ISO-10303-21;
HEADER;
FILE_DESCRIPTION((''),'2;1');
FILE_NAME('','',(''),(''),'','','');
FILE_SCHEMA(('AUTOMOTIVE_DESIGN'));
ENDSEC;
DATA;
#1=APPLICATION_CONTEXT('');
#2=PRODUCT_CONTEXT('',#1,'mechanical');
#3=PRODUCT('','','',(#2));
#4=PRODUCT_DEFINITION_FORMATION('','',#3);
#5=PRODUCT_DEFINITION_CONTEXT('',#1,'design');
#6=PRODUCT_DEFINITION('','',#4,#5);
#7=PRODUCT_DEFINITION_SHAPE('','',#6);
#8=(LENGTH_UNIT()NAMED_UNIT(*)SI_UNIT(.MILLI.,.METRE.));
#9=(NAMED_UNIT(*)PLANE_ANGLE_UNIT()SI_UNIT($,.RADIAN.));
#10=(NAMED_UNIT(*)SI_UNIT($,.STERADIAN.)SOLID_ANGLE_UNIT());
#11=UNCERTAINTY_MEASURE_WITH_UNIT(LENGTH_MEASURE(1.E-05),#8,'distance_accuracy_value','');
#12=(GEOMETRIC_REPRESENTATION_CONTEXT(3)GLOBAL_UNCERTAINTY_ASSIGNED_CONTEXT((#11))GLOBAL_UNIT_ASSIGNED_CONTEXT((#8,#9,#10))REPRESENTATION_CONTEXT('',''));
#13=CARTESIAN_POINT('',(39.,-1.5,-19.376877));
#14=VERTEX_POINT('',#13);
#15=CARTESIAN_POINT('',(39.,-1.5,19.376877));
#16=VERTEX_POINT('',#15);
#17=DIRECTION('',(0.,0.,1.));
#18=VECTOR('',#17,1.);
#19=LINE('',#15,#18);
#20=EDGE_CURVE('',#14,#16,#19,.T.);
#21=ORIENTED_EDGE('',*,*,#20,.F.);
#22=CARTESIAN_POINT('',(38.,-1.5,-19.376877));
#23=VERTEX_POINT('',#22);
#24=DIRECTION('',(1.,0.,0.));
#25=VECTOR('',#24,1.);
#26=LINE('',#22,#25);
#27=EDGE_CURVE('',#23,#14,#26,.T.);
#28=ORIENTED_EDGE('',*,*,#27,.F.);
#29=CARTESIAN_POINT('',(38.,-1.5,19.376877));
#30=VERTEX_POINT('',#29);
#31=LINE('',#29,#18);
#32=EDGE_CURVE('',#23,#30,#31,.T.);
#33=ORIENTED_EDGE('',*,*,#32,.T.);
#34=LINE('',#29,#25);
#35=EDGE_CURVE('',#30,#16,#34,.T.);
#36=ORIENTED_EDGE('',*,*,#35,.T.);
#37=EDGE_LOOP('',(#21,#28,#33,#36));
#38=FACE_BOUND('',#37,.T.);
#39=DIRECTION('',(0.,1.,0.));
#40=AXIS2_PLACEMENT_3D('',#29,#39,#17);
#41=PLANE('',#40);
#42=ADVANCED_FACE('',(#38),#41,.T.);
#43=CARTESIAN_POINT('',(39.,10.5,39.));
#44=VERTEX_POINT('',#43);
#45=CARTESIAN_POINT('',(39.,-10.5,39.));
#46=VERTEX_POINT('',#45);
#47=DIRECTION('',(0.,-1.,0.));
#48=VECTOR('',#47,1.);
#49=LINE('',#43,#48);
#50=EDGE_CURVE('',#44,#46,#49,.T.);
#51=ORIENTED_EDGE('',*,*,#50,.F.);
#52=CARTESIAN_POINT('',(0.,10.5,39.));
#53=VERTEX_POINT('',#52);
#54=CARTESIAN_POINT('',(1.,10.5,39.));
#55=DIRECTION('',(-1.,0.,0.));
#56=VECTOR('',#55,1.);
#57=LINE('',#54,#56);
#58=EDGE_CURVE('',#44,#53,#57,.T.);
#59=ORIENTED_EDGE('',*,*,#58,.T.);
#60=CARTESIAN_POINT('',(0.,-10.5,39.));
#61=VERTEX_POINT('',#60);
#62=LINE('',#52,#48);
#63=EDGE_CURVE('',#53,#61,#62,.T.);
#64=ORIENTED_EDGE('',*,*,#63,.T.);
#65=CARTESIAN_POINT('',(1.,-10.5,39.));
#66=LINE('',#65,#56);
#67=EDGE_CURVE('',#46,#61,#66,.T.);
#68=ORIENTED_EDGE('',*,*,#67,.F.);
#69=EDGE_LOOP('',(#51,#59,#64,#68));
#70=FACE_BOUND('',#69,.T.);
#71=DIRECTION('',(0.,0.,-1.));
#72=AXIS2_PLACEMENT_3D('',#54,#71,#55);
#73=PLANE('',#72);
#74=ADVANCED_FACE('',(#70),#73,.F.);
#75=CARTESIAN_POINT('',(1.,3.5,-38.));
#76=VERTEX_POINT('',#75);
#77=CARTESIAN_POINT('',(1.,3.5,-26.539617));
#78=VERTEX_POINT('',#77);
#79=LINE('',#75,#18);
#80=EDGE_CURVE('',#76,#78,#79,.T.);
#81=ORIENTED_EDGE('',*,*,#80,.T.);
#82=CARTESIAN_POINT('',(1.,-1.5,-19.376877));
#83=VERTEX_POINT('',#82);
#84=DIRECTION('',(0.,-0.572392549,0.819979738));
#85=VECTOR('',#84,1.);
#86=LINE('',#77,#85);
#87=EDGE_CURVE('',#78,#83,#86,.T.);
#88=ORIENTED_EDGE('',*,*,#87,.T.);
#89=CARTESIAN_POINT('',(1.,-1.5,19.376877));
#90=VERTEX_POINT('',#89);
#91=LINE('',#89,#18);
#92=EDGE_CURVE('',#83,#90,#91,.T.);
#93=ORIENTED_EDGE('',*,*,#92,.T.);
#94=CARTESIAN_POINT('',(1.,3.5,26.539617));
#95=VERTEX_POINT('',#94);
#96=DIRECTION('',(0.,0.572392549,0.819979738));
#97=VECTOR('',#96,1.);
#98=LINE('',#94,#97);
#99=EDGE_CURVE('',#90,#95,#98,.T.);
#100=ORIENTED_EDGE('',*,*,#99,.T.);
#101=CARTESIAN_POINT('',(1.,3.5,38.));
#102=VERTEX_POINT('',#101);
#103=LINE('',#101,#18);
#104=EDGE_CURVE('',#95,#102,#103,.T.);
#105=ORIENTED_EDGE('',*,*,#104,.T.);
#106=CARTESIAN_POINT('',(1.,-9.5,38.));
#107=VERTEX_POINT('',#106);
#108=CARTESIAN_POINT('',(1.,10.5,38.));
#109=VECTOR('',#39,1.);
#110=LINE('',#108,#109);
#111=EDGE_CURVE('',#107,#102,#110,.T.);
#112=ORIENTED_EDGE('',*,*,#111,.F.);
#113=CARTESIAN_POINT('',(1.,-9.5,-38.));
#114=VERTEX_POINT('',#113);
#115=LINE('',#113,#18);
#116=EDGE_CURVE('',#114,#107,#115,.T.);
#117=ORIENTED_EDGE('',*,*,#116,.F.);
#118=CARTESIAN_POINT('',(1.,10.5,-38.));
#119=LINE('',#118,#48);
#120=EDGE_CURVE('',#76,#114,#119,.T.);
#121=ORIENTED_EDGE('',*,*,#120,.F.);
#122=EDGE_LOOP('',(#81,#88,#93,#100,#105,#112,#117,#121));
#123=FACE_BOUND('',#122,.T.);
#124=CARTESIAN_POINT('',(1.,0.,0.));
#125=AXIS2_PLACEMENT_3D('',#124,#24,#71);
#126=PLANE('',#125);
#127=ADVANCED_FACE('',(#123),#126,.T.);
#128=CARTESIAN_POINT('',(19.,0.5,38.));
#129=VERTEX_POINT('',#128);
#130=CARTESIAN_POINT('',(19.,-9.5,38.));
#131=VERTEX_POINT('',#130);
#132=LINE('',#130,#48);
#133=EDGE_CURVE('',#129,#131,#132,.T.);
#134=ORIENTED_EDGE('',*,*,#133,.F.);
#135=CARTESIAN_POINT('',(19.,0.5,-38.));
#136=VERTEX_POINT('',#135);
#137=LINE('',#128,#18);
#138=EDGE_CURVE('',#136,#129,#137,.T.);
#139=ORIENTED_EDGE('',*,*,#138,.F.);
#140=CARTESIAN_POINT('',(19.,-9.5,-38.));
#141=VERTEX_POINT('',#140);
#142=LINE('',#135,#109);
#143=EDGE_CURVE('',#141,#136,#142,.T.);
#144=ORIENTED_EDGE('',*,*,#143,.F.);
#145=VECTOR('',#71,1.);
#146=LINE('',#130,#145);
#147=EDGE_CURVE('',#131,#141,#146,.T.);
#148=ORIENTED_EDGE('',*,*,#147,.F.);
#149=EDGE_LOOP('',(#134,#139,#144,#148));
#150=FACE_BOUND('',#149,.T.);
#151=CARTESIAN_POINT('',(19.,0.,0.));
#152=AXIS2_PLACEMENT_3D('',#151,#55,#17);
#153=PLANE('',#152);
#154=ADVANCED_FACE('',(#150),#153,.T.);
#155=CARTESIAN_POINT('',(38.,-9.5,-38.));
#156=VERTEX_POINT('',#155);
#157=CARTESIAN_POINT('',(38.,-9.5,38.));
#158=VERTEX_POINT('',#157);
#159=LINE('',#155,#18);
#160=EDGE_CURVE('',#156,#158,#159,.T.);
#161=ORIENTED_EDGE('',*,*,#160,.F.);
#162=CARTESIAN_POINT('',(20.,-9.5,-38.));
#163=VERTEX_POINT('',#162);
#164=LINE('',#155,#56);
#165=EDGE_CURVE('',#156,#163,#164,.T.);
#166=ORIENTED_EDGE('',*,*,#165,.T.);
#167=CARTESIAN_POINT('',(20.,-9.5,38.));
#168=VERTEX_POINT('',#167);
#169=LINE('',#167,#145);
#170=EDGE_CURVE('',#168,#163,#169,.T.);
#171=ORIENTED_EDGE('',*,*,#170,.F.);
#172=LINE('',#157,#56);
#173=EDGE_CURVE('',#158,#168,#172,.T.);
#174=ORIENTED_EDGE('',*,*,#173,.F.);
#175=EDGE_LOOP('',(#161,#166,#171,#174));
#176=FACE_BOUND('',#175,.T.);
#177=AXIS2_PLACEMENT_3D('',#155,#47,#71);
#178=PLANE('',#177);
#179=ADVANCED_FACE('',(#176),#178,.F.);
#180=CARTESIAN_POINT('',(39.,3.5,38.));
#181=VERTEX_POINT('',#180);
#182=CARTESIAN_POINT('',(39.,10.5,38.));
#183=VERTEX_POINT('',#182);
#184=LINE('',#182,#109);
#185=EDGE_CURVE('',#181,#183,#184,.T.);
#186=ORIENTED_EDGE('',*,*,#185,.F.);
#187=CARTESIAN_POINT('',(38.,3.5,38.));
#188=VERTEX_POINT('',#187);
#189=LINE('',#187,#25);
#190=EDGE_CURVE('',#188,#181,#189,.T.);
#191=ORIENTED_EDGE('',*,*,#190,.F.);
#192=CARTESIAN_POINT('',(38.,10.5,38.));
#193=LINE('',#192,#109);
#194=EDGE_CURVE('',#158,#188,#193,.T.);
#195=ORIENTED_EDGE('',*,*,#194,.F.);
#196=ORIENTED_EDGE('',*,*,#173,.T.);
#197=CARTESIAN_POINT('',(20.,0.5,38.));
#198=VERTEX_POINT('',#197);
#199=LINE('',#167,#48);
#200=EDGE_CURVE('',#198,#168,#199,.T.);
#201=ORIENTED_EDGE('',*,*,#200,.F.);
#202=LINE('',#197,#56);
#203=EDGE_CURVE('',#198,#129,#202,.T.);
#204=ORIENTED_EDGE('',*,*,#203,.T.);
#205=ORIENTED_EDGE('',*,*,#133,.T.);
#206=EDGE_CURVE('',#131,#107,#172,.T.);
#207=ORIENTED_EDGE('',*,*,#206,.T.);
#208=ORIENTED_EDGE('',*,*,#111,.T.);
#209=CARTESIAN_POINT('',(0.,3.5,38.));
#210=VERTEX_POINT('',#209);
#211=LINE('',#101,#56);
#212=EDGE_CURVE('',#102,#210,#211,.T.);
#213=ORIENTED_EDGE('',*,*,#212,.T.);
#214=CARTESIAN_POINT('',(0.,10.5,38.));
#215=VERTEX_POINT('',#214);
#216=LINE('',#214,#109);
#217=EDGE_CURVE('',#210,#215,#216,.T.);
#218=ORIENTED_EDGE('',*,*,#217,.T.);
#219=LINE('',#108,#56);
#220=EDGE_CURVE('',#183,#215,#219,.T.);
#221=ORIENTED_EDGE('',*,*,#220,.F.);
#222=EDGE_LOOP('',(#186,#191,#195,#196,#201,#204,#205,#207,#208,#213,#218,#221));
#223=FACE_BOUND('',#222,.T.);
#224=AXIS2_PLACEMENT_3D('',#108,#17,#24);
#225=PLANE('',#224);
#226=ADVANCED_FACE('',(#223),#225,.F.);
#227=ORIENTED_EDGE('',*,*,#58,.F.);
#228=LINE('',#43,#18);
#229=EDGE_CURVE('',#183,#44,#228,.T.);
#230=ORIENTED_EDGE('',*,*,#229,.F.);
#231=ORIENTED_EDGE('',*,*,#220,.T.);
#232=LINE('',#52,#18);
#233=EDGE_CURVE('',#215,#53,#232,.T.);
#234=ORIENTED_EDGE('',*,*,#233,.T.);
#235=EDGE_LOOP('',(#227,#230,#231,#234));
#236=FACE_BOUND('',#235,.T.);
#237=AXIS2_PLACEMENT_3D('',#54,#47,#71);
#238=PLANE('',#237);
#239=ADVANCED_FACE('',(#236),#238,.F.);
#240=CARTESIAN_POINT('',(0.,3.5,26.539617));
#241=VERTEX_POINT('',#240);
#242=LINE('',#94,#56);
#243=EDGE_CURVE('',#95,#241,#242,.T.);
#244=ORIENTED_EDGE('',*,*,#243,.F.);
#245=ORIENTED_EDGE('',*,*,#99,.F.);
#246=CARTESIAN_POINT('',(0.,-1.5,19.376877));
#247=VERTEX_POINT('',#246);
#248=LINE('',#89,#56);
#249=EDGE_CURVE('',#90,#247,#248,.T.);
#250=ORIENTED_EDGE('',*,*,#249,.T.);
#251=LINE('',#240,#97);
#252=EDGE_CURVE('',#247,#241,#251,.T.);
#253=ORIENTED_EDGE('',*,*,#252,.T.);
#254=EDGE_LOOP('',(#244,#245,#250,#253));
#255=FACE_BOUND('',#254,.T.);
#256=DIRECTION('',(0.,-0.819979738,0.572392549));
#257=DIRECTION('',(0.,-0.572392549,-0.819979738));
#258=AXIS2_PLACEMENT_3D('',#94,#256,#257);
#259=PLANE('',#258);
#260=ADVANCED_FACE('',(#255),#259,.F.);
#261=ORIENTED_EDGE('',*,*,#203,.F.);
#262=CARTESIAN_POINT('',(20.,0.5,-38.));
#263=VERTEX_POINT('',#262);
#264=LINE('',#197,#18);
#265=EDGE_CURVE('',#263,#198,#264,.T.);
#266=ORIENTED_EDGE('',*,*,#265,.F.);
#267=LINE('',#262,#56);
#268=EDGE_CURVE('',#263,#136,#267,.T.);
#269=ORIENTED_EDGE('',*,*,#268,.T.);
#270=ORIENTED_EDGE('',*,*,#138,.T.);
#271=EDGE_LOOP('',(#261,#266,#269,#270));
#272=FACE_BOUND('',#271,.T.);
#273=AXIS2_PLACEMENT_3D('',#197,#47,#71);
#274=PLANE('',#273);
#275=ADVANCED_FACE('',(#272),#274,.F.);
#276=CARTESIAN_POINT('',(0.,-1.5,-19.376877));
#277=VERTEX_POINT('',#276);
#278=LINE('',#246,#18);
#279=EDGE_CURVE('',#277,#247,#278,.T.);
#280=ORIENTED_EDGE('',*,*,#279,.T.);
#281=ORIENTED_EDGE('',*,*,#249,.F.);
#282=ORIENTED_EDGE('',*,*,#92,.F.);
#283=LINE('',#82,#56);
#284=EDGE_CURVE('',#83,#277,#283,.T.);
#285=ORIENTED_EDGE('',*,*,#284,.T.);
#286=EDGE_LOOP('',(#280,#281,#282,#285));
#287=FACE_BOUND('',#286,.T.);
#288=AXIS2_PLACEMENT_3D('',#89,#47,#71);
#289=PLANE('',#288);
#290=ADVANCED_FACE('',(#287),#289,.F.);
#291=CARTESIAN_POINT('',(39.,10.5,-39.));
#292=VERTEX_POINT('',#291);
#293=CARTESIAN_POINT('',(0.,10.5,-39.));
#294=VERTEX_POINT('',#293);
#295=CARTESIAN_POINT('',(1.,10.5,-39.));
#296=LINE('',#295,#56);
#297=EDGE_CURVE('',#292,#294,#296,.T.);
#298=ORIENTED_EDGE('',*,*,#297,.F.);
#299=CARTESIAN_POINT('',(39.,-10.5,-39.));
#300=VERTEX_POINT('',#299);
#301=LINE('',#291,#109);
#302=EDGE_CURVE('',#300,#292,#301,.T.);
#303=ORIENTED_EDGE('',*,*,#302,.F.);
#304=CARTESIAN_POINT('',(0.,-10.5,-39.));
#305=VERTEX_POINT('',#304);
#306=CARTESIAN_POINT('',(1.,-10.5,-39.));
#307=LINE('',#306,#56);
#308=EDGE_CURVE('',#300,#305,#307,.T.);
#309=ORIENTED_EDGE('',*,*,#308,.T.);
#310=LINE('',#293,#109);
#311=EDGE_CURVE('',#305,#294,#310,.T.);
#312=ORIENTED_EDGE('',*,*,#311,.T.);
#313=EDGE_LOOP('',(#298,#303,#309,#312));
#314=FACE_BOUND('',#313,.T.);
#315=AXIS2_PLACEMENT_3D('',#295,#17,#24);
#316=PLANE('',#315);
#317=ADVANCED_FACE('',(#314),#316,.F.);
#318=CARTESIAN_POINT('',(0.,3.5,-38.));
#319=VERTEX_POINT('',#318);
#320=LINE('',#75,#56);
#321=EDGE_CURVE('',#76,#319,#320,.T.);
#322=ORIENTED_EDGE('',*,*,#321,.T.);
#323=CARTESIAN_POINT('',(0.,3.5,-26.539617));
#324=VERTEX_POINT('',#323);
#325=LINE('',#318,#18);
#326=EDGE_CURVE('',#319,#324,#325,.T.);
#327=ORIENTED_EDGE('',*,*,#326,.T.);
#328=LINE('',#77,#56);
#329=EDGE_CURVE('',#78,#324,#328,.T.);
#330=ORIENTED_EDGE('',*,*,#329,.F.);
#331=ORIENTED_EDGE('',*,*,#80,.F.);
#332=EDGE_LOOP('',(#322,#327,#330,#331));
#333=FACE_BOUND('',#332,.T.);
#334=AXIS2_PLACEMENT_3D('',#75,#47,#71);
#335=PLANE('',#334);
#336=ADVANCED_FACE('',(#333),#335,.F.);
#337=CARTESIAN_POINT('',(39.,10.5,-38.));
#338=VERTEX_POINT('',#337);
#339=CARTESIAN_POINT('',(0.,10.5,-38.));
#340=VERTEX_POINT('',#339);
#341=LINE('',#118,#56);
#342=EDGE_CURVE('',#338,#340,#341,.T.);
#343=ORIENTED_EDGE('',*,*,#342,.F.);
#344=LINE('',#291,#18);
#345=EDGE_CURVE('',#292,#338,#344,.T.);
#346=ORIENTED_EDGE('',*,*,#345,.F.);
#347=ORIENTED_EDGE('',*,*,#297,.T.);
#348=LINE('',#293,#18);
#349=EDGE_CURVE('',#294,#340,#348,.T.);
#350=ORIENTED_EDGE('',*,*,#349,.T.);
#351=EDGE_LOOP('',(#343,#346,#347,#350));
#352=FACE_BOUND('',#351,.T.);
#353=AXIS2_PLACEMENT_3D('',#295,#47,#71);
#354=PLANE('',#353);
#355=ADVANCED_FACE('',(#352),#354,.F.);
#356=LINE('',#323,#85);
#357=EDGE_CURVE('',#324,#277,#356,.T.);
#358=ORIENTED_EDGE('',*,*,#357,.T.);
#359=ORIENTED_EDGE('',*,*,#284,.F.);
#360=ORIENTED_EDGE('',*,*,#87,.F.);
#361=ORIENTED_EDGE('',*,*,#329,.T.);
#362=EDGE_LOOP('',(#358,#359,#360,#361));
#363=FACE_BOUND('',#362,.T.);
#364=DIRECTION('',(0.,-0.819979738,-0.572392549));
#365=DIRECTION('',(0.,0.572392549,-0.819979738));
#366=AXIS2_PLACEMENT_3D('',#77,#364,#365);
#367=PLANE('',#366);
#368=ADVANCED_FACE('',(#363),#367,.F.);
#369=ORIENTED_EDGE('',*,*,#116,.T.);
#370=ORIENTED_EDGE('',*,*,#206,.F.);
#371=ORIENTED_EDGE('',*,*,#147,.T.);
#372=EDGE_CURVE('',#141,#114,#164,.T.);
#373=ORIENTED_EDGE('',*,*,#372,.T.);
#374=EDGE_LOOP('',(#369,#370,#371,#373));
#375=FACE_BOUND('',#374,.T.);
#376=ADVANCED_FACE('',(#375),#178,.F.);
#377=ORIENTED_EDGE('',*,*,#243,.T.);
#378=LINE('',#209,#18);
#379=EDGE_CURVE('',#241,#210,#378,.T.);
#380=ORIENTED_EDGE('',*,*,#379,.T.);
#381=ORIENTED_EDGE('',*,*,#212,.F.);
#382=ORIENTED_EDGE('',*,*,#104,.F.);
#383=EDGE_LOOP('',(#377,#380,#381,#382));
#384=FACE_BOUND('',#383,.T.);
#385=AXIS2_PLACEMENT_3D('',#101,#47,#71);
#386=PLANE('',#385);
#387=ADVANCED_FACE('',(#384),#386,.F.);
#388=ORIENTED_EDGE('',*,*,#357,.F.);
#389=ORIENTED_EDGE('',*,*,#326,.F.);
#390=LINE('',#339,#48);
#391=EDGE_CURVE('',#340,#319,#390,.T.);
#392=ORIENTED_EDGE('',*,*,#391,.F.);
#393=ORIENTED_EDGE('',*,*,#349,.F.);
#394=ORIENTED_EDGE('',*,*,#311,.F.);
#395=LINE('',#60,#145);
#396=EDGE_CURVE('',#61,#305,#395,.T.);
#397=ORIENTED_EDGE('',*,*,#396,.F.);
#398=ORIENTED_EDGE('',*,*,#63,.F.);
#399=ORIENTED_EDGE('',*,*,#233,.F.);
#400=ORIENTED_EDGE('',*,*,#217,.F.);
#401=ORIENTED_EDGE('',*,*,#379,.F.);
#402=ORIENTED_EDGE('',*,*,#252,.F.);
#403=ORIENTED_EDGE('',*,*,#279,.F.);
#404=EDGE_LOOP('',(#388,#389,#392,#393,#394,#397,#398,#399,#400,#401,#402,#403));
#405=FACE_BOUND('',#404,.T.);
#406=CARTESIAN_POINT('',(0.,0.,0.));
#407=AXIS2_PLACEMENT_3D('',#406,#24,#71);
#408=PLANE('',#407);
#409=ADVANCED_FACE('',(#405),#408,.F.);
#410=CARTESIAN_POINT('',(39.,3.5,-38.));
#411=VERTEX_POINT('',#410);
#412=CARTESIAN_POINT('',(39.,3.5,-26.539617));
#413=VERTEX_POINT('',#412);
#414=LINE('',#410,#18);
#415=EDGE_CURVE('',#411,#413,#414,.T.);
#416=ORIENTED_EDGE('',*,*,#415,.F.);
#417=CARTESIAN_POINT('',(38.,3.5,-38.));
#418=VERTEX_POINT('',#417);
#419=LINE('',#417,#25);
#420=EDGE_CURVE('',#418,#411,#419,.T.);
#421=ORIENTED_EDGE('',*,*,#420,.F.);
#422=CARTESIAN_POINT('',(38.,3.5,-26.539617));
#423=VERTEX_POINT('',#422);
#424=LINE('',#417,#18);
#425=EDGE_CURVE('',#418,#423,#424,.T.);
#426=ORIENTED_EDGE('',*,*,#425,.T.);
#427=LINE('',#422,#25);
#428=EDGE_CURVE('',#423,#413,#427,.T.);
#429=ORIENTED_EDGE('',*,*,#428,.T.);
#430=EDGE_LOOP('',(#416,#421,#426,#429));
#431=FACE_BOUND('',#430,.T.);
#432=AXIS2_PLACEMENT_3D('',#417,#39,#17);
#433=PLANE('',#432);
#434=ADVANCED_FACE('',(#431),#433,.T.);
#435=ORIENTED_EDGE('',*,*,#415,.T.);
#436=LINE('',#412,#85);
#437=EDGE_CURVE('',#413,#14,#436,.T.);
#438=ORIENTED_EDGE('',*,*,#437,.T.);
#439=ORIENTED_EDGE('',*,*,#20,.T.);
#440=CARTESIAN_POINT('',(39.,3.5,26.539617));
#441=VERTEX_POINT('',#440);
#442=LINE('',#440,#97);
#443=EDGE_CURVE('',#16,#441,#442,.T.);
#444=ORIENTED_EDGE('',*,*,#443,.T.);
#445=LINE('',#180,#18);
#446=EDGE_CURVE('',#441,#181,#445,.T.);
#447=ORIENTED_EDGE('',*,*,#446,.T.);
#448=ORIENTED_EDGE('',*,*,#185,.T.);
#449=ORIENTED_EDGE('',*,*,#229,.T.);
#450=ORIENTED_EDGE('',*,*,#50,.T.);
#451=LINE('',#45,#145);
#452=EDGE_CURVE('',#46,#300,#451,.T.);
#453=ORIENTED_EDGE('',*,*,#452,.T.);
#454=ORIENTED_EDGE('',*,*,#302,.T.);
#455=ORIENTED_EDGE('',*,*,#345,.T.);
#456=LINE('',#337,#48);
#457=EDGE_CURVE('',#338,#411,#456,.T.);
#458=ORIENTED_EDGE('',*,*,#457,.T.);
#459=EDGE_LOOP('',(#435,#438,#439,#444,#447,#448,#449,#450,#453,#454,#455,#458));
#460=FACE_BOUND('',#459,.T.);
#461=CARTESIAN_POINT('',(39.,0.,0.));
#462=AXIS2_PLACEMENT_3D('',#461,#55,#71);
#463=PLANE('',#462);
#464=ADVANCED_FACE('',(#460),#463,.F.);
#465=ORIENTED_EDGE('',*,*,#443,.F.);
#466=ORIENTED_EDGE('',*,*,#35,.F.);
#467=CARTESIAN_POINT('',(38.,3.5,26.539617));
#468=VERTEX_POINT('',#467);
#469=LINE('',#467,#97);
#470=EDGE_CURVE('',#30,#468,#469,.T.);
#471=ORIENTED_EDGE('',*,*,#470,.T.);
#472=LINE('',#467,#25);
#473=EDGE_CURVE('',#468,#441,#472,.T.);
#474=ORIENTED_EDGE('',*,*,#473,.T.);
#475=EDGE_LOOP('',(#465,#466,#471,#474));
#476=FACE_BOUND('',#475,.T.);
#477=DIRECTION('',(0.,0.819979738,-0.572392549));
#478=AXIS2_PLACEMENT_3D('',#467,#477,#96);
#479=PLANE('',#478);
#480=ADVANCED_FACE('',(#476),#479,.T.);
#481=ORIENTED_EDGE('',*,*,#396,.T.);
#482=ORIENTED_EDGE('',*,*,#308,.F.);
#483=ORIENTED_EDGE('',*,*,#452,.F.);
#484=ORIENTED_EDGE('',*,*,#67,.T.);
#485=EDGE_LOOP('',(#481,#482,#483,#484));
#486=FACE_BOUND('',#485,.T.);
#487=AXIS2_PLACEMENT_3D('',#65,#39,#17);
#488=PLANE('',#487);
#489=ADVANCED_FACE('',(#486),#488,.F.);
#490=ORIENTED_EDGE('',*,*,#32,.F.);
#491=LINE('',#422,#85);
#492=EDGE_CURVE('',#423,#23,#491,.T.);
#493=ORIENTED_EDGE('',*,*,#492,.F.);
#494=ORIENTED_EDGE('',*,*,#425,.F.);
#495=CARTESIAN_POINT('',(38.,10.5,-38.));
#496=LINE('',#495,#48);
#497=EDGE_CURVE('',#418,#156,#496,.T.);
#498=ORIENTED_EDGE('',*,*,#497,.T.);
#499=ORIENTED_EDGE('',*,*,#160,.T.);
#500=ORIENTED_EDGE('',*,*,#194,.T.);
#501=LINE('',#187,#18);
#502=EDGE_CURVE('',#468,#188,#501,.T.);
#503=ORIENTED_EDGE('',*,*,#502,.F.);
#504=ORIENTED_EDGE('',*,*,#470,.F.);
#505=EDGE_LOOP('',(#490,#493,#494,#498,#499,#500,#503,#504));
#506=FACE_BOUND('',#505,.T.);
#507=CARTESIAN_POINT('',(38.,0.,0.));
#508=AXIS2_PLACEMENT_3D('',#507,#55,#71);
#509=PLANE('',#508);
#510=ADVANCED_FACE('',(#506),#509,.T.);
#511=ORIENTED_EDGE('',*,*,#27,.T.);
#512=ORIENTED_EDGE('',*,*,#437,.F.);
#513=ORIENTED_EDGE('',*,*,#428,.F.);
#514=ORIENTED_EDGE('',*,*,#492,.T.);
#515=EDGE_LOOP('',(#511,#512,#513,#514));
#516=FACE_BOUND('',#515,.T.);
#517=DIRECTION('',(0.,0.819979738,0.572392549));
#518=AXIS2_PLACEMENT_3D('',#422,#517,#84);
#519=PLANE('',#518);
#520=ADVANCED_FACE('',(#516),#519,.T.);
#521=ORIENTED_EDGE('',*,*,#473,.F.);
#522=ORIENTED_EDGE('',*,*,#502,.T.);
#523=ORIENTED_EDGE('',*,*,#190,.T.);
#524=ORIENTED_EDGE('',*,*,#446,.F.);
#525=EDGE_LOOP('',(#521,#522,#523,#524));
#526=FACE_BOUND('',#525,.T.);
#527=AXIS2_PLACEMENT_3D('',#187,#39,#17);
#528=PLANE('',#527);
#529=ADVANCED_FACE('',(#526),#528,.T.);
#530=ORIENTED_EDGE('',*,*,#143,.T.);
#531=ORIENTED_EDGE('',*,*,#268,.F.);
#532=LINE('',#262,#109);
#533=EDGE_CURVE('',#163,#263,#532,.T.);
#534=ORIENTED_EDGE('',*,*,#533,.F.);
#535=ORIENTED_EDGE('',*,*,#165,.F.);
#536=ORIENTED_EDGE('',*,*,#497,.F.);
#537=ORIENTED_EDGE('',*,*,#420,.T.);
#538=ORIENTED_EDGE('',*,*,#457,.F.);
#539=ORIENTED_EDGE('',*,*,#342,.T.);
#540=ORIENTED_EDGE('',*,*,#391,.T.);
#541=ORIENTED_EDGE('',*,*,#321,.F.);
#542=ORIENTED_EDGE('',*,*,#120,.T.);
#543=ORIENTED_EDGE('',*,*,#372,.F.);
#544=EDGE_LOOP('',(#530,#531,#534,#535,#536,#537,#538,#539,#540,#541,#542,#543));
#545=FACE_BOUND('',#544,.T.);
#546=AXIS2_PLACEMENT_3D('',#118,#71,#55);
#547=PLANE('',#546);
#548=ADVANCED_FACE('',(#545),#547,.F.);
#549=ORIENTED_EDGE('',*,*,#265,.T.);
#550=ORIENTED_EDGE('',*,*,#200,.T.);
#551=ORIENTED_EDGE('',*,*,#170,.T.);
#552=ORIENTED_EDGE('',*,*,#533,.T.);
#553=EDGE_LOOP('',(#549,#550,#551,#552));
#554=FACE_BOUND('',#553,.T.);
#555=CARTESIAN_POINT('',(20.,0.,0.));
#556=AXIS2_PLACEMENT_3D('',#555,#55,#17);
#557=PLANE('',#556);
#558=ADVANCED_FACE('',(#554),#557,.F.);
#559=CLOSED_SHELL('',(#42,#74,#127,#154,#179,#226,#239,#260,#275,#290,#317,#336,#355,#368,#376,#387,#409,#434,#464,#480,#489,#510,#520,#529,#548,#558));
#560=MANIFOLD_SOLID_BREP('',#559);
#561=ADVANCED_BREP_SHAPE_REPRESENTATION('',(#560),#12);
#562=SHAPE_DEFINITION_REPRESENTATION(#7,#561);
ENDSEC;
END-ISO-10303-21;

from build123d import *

# Parameters (mm, degrees)
BOSS_EXTRUDE1_DEPTH = 1
BOSS_EXTRUDE2_DEPTH = 37
SKETCH4_W           = 76
SKETCH4_H           = 10
BOSS_EXTRUDE3_DEPTH = 0.5


with BuildPart() as part:
    # Sketch1 → Boss-Extrude1 (new body)
    with BuildSketch(Plane(origin=(0, 0, 0), x_dir=(0, 0, -1), z_dir=(1, 0, 0))):
        Polygon((-39, 10.5), (-38, 10.5), (-38, 3.5), (-26.539616882, 3.5), (-19.376877433, -1.5), (19.376877433, -1.5), (26.539616882, 3.5), (38, 3.5), (38, 10.5), (39, 10.5), (39, -10.5), (-39, -10.5), align=None)
    boss_extrude1 = extrude(amount=BOSS_EXTRUDE1_DEPTH)

    # Sketch2 → Boss-Extrude2 (add)
    with BuildSketch(Plane(origin=(1, 0, 0), x_dir=(0, 0, -1), z_dir=(1, 0, 0))):
        Polygon((-38, 10.5), (-38, -9.5), (38, -9.5), (38, 10.5), (39, 10.5), (39, -10.5), (-39, -10.5), (-39, 10.5), align=None)
    extrude(amount=BOSS_EXTRUDE2_DEPTH)

    # Mirror1: Boss-Extrude1 across plane
    add(boss_extrude1.mirror(Plane(origin=(19.5, 0, 0), x_dir=(0, 0, 1), z_dir=(1, 0, 0))))

    # Sketch4 → Boss-Extrude3 (add, symmetric)
    with BuildSketch(Plane(origin=(19.5, 0, 0), x_dir=(0, 0, -1), z_dir=(1, 0, 0))):
        with Locations((0, -4.5)):
            Rectangle(SKETCH4_W, SKETCH4_H)
    extrude(amount=BOSS_EXTRUDE3_DEPTH, both=True)


solid = part.part
